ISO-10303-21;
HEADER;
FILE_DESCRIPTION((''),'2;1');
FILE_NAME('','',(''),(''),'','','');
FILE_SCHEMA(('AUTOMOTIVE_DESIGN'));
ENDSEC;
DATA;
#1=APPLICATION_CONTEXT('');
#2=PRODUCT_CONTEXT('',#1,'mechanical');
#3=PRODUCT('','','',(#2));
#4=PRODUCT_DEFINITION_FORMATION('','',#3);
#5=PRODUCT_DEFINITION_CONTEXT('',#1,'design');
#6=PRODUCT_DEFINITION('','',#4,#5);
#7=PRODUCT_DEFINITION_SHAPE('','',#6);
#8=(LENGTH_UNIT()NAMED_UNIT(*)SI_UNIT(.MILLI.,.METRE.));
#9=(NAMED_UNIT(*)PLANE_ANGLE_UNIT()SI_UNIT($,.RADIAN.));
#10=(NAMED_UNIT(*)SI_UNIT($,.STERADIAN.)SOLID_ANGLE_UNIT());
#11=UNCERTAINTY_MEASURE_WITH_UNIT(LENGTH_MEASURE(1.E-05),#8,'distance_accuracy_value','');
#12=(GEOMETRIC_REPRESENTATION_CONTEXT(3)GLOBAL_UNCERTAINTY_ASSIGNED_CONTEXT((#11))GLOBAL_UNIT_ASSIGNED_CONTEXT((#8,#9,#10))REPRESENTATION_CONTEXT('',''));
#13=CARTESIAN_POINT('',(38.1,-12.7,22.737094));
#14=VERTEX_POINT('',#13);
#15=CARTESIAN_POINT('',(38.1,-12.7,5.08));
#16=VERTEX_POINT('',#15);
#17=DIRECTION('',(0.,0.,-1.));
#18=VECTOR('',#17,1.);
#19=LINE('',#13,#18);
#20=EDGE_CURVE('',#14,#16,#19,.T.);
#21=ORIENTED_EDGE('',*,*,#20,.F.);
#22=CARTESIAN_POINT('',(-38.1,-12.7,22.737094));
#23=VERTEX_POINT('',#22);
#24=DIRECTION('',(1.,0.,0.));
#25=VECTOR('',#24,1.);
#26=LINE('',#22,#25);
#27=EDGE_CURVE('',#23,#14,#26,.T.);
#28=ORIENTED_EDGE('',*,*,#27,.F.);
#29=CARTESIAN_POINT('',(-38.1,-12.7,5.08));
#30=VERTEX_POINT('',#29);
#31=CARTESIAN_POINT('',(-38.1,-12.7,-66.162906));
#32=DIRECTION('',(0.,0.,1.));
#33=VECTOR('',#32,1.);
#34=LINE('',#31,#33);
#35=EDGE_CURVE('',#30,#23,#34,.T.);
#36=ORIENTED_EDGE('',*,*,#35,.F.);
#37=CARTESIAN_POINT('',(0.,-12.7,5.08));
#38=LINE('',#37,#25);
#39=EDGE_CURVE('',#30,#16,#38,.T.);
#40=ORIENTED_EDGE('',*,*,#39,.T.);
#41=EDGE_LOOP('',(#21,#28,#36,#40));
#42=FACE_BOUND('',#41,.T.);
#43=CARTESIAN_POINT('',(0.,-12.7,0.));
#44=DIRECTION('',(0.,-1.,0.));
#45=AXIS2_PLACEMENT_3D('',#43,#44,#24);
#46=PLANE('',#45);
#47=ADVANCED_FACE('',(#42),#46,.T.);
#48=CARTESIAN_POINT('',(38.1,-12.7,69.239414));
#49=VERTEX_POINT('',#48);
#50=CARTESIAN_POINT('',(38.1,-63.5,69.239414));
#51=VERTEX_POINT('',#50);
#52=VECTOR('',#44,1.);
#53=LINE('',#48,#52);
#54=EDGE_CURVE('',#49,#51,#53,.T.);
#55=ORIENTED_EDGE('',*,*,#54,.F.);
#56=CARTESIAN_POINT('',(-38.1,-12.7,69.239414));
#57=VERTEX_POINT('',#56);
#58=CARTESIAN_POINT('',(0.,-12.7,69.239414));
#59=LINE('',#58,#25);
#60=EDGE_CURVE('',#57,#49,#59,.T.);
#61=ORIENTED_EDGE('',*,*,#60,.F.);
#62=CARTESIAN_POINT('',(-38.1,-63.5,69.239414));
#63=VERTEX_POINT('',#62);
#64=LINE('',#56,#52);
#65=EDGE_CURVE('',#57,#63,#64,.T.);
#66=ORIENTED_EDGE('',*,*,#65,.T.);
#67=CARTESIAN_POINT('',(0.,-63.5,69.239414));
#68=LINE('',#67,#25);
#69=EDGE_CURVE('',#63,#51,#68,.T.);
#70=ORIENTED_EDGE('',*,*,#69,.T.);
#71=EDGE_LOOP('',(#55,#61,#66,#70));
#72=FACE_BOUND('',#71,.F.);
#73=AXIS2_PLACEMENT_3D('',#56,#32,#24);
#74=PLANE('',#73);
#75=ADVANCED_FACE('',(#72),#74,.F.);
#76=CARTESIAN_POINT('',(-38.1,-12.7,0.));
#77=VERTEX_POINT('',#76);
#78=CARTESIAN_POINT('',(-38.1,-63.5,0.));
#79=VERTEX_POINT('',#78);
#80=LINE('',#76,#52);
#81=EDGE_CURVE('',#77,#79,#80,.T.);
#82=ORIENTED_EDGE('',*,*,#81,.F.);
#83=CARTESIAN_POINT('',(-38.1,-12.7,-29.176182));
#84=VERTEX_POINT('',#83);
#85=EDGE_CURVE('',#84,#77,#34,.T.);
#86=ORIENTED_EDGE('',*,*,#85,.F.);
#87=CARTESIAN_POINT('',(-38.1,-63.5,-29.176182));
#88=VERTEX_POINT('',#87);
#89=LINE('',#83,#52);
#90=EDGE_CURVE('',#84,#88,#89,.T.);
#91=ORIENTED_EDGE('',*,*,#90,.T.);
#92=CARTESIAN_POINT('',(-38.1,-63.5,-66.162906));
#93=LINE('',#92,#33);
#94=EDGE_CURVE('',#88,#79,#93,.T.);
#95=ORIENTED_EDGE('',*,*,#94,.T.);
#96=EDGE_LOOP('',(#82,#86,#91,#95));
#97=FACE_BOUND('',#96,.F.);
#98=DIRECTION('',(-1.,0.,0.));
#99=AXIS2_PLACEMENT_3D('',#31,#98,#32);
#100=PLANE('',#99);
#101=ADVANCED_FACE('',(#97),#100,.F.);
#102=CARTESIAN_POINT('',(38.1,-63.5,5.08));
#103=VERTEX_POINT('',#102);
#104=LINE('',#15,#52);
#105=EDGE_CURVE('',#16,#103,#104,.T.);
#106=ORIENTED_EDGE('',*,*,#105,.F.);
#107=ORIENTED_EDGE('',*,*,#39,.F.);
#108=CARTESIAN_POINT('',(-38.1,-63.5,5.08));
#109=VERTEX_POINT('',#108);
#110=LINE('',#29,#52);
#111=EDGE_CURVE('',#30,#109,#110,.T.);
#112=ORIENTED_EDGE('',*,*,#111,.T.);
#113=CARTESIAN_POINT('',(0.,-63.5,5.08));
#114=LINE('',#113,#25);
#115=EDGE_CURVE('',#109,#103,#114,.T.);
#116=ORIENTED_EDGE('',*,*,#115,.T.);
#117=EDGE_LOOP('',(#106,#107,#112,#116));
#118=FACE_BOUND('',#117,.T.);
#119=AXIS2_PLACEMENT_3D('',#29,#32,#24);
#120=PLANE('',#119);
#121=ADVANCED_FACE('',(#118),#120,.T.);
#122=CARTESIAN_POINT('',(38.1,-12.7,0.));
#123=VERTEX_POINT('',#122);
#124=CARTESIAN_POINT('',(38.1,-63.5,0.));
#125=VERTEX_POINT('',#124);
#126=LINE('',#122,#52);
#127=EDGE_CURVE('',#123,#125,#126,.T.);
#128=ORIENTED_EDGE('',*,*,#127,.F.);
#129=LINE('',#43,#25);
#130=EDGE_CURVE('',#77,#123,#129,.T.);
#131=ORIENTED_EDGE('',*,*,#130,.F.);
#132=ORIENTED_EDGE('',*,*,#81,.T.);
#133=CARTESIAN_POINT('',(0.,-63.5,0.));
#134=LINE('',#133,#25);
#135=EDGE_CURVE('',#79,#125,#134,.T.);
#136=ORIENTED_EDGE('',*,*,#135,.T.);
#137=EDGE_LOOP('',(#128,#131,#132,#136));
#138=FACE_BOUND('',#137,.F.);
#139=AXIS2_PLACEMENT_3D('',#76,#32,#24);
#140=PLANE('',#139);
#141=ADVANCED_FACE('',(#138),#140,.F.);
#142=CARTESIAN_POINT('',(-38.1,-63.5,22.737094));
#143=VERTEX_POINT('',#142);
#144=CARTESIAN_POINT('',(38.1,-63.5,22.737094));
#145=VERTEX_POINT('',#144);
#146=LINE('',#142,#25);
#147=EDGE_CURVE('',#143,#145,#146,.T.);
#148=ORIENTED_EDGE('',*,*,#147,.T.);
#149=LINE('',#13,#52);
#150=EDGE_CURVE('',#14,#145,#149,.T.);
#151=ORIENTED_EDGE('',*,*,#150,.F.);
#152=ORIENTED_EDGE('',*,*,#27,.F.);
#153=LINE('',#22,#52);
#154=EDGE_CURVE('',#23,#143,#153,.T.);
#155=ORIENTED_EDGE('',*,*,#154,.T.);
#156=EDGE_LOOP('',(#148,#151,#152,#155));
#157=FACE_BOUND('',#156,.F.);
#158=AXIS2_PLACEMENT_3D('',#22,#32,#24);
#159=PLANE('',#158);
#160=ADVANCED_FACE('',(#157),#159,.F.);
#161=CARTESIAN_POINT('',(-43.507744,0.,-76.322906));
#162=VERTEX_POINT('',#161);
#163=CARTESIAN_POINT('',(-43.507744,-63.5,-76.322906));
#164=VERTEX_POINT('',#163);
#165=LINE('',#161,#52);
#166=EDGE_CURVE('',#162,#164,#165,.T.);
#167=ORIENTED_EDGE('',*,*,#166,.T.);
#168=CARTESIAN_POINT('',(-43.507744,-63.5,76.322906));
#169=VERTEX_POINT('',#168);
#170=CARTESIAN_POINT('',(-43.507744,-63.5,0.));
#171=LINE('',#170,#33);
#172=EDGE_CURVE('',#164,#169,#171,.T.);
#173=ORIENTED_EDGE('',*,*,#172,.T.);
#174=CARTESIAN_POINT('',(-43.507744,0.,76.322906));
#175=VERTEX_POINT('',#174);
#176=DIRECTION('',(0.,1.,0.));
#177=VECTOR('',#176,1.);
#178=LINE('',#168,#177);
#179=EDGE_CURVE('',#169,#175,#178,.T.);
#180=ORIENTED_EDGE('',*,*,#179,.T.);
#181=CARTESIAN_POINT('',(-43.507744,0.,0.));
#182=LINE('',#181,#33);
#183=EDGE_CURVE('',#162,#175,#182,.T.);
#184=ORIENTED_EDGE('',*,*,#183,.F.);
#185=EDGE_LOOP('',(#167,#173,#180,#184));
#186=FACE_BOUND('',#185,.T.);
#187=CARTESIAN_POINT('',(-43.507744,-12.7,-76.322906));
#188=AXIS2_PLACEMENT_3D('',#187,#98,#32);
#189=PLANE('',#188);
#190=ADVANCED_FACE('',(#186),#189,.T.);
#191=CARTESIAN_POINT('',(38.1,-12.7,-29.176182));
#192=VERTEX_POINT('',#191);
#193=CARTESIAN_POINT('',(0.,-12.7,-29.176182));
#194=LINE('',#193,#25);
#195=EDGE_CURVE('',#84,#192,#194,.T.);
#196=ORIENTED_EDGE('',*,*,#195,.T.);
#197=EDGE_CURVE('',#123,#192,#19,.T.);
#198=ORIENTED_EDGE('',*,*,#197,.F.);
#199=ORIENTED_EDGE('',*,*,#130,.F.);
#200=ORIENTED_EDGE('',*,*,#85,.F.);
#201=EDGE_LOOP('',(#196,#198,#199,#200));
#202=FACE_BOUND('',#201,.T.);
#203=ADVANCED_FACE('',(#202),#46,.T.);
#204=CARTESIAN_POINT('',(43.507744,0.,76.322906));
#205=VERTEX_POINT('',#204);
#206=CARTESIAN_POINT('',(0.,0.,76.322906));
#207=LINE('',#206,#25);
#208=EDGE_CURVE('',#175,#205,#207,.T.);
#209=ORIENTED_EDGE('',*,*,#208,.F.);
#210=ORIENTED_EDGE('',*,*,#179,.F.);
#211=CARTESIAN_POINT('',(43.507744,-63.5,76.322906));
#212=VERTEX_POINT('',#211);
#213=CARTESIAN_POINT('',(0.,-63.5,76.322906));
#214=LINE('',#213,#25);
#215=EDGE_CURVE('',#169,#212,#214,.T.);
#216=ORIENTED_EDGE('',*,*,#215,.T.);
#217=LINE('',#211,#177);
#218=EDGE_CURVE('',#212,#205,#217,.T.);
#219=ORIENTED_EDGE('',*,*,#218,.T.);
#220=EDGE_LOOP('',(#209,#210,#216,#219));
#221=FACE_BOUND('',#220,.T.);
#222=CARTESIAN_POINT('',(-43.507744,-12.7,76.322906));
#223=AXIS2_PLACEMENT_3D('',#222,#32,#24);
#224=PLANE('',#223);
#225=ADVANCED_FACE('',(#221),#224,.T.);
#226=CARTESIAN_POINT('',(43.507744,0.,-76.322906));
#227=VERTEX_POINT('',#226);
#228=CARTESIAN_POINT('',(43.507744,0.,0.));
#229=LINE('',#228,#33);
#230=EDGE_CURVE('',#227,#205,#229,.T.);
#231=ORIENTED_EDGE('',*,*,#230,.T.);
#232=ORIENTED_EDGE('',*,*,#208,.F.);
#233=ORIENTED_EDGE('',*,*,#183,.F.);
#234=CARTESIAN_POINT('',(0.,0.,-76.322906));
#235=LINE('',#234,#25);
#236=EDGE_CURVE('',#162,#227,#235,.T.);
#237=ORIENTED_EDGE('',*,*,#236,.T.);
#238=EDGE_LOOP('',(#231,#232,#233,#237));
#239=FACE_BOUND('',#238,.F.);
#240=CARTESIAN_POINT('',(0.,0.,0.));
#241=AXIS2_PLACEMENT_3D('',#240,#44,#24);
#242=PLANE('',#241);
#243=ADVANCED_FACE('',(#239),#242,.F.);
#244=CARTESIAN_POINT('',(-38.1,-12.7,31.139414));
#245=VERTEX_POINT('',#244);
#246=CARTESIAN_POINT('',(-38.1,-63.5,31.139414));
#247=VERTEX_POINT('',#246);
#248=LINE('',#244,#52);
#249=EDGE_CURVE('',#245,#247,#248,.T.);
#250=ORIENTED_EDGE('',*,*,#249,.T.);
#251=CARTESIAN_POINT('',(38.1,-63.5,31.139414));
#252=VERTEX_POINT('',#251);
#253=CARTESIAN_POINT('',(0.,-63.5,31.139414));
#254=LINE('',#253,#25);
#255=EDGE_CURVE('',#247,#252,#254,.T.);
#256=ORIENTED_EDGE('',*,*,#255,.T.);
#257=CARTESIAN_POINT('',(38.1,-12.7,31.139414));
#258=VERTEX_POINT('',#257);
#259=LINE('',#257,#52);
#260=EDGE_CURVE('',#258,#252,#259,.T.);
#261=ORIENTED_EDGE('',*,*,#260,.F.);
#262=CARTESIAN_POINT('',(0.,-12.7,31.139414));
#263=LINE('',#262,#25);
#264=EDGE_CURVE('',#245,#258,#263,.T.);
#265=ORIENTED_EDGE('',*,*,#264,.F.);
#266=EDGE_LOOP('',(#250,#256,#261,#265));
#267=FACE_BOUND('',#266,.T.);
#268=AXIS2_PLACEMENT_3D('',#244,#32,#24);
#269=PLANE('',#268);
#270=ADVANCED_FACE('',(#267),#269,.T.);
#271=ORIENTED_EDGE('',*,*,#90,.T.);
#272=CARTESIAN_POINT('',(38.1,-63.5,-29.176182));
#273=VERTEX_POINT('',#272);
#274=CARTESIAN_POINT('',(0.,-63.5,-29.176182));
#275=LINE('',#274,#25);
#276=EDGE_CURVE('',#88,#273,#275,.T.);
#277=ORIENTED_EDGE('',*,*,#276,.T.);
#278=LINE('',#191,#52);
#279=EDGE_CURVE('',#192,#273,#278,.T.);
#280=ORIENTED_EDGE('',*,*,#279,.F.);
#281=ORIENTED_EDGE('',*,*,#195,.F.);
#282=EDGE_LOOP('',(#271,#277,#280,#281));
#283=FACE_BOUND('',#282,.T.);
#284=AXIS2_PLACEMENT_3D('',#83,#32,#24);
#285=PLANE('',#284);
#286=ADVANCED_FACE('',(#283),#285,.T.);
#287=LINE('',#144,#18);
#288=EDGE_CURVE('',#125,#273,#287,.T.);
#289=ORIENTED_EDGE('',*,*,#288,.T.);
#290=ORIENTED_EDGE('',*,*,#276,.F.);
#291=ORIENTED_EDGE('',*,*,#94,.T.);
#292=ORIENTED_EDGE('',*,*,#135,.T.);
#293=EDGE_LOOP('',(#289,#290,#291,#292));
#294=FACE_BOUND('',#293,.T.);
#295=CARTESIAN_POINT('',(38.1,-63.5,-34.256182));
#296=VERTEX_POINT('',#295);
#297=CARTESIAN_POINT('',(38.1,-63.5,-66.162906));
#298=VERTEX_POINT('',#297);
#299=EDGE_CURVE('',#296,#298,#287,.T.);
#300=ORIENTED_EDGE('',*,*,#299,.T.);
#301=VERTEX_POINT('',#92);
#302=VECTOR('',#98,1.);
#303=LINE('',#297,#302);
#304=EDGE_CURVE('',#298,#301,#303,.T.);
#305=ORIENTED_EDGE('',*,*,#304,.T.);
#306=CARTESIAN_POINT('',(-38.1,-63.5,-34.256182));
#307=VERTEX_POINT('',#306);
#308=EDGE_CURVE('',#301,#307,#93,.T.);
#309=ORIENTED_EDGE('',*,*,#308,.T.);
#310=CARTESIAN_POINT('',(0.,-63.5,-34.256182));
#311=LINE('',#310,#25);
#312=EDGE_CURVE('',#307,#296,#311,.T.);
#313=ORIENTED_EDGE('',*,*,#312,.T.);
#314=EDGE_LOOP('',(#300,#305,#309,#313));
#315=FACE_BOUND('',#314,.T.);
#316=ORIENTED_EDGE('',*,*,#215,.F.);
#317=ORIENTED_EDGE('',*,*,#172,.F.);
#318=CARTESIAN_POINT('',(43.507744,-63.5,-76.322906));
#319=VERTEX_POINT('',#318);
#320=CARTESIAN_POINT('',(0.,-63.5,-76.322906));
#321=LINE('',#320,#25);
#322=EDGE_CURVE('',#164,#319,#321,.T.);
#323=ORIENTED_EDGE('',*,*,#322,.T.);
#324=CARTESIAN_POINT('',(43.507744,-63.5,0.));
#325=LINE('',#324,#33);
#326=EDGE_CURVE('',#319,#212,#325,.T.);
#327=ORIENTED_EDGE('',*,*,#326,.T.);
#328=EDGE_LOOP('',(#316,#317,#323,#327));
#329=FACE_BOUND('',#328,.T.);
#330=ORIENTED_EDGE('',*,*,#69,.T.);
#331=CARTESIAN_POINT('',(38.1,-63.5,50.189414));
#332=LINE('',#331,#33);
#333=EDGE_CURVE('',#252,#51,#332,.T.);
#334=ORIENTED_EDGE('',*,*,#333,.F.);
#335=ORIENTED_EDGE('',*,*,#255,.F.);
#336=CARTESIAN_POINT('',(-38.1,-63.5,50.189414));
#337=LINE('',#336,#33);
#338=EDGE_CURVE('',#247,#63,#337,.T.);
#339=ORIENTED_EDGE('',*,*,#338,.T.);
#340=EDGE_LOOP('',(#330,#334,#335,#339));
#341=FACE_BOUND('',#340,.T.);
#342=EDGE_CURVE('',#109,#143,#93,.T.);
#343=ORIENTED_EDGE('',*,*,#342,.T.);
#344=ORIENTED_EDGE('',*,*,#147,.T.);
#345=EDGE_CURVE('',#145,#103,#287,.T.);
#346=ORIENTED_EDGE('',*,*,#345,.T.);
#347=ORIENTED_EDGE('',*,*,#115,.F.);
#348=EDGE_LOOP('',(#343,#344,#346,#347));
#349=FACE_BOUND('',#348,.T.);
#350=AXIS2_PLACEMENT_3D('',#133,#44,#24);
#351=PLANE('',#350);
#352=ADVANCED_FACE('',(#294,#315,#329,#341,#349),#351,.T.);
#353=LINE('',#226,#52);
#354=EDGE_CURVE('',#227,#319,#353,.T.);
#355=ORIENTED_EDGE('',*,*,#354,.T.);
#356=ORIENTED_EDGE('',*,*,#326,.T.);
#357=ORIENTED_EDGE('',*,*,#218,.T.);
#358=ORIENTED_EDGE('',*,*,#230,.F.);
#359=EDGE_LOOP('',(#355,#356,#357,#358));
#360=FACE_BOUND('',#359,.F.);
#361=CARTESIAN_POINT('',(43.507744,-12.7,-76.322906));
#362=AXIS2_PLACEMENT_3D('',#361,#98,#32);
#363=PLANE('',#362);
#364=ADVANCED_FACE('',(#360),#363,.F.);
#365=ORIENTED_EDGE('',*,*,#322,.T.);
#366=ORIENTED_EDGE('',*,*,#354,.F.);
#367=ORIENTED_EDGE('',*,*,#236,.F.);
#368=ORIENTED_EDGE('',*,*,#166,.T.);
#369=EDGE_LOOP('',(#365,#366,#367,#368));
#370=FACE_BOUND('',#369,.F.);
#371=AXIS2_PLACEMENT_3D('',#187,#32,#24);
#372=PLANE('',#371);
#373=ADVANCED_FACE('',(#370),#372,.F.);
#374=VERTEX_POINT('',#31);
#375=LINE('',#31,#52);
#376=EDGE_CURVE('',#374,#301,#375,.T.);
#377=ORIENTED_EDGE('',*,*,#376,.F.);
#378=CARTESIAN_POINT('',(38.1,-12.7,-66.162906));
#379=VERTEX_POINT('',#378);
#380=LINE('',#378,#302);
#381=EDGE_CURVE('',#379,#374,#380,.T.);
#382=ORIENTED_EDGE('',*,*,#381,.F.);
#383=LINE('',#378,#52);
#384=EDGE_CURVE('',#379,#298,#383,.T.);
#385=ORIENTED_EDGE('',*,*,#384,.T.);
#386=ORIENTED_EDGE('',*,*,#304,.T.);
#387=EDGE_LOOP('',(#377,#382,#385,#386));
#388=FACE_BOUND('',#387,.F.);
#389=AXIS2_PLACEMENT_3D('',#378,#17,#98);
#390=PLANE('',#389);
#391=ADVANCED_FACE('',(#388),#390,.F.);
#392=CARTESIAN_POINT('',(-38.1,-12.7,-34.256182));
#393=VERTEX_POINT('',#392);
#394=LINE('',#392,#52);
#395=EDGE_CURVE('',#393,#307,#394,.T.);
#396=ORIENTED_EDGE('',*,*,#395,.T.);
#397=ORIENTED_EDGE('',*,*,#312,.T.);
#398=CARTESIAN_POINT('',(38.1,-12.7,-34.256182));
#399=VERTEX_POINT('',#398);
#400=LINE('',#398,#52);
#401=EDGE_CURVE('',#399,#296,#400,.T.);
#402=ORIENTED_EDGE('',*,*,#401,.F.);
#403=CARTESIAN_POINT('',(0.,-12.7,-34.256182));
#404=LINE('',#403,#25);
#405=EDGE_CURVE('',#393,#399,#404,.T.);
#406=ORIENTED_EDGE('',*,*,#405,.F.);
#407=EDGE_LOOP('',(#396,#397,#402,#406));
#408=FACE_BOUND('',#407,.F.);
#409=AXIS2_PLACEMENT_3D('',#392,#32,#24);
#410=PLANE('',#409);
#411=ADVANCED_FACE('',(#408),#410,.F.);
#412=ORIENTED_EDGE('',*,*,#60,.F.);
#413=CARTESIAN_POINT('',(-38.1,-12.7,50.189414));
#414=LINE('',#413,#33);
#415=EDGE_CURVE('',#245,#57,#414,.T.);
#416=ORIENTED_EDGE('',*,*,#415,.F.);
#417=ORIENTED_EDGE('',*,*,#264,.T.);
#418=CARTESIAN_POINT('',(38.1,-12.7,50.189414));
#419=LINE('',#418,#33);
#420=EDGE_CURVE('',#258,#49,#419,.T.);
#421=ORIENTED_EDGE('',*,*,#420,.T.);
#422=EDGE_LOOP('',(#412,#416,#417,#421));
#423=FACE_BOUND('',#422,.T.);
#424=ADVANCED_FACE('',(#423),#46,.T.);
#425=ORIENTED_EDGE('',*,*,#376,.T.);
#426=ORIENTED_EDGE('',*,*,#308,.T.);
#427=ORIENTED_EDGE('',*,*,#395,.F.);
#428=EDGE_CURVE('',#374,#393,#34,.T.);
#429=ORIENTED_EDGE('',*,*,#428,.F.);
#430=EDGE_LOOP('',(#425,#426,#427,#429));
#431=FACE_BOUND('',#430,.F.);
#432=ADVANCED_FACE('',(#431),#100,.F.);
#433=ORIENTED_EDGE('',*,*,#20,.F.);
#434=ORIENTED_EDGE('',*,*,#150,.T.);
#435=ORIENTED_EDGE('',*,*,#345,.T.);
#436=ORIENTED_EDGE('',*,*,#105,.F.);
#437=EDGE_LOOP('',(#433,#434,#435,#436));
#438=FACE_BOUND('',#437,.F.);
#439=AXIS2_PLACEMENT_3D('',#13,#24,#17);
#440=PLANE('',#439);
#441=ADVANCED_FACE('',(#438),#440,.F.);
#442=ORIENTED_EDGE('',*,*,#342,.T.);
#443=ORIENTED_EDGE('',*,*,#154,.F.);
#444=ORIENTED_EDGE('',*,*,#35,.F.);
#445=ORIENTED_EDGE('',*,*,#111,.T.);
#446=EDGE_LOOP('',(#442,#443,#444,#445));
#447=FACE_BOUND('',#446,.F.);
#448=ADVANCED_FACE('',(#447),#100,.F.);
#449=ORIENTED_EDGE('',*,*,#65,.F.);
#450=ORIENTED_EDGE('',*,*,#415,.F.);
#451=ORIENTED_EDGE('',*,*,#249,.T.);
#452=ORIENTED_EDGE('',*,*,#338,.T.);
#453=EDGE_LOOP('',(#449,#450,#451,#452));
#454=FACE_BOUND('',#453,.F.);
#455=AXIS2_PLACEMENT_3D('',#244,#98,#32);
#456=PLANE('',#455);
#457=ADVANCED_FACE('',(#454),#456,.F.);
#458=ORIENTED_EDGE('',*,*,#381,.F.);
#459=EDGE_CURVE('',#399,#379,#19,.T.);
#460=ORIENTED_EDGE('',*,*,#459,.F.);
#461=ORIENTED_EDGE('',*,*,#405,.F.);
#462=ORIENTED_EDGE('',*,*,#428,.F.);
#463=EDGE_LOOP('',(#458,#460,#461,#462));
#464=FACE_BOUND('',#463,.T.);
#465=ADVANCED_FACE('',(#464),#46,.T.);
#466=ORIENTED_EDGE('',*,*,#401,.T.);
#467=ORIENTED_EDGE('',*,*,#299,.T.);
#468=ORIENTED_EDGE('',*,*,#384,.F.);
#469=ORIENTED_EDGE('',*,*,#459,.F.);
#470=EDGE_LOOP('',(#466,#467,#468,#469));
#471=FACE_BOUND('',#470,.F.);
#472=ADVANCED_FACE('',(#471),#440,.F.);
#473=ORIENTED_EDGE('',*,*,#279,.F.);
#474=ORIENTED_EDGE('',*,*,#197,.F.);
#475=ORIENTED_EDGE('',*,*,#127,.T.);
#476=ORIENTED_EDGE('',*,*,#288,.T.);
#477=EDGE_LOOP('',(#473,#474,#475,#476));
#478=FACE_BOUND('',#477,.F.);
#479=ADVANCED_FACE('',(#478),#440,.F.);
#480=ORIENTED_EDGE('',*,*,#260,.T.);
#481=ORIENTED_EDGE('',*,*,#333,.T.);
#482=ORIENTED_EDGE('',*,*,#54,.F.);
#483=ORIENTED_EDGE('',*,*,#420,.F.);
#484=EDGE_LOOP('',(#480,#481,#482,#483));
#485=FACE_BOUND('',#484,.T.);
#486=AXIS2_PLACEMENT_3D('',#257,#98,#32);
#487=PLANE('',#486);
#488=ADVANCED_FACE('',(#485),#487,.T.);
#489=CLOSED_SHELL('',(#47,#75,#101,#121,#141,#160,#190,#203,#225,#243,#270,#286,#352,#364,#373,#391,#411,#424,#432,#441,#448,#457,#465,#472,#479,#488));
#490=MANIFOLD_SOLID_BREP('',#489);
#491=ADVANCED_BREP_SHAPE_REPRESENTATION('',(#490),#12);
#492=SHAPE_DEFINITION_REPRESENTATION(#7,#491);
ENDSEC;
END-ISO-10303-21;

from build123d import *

# Parameters (mm, degrees)
F0_W     = 87.015488
F0_H     = 152.645812
F1_DEPTH = 12.7
F2_W     = 87.015488
F2_H     = 152.645812
F2_W_2   = 76.2
F2_H_2   = 38.1
F3_DEPTH = 50.8
F2_H_3   = 5.08
F4_DEPTH = 50.8


with BuildPart() as f1:
    # F0 (on Front) → F1 (new body)
    with BuildSketch(Plane.XZ):
        Rectangle(F0_W, F0_H)
    extrude(amount=F1_DEPTH)

    # F2 (on face) → F3 (join)
    with BuildSketch(Plane.XZ.offset(12.7)):
        Rectangle(F2_W, F2_H)
        Polygon((-38.1, 22.737094), (38.1, 22.737094), (38.1, 5.08), (38.1, 0), (38.1, -29.176182), (38.1, -34.256182), (38.1, -66.162906), (-38.1, -66.162906), (-38.1, -34.256182), (-38.1, -29.176182), (-38.1, 0), (-38.1, 5.08), align=None, mode=Mode.SUBTRACT)
        with Locations((0, 50.189414)):
            Rectangle(F2_W_2, F2_H_2, mode=Mode.SUBTRACT)
    extrude(amount=F3_DEPTH)

    # F2 (on face) → F4 (join)
    with BuildSketch(Plane.XZ.offset(12.7)):
        with Locations((0, 2.54)):
            Rectangle(F2_W_2, F2_H_3)
        with Locations((0, -31.716182)):
            Rectangle(F2_W_2, F2_H_3)
    extrude(amount=F4_DEPTH)


solid = f1.part
